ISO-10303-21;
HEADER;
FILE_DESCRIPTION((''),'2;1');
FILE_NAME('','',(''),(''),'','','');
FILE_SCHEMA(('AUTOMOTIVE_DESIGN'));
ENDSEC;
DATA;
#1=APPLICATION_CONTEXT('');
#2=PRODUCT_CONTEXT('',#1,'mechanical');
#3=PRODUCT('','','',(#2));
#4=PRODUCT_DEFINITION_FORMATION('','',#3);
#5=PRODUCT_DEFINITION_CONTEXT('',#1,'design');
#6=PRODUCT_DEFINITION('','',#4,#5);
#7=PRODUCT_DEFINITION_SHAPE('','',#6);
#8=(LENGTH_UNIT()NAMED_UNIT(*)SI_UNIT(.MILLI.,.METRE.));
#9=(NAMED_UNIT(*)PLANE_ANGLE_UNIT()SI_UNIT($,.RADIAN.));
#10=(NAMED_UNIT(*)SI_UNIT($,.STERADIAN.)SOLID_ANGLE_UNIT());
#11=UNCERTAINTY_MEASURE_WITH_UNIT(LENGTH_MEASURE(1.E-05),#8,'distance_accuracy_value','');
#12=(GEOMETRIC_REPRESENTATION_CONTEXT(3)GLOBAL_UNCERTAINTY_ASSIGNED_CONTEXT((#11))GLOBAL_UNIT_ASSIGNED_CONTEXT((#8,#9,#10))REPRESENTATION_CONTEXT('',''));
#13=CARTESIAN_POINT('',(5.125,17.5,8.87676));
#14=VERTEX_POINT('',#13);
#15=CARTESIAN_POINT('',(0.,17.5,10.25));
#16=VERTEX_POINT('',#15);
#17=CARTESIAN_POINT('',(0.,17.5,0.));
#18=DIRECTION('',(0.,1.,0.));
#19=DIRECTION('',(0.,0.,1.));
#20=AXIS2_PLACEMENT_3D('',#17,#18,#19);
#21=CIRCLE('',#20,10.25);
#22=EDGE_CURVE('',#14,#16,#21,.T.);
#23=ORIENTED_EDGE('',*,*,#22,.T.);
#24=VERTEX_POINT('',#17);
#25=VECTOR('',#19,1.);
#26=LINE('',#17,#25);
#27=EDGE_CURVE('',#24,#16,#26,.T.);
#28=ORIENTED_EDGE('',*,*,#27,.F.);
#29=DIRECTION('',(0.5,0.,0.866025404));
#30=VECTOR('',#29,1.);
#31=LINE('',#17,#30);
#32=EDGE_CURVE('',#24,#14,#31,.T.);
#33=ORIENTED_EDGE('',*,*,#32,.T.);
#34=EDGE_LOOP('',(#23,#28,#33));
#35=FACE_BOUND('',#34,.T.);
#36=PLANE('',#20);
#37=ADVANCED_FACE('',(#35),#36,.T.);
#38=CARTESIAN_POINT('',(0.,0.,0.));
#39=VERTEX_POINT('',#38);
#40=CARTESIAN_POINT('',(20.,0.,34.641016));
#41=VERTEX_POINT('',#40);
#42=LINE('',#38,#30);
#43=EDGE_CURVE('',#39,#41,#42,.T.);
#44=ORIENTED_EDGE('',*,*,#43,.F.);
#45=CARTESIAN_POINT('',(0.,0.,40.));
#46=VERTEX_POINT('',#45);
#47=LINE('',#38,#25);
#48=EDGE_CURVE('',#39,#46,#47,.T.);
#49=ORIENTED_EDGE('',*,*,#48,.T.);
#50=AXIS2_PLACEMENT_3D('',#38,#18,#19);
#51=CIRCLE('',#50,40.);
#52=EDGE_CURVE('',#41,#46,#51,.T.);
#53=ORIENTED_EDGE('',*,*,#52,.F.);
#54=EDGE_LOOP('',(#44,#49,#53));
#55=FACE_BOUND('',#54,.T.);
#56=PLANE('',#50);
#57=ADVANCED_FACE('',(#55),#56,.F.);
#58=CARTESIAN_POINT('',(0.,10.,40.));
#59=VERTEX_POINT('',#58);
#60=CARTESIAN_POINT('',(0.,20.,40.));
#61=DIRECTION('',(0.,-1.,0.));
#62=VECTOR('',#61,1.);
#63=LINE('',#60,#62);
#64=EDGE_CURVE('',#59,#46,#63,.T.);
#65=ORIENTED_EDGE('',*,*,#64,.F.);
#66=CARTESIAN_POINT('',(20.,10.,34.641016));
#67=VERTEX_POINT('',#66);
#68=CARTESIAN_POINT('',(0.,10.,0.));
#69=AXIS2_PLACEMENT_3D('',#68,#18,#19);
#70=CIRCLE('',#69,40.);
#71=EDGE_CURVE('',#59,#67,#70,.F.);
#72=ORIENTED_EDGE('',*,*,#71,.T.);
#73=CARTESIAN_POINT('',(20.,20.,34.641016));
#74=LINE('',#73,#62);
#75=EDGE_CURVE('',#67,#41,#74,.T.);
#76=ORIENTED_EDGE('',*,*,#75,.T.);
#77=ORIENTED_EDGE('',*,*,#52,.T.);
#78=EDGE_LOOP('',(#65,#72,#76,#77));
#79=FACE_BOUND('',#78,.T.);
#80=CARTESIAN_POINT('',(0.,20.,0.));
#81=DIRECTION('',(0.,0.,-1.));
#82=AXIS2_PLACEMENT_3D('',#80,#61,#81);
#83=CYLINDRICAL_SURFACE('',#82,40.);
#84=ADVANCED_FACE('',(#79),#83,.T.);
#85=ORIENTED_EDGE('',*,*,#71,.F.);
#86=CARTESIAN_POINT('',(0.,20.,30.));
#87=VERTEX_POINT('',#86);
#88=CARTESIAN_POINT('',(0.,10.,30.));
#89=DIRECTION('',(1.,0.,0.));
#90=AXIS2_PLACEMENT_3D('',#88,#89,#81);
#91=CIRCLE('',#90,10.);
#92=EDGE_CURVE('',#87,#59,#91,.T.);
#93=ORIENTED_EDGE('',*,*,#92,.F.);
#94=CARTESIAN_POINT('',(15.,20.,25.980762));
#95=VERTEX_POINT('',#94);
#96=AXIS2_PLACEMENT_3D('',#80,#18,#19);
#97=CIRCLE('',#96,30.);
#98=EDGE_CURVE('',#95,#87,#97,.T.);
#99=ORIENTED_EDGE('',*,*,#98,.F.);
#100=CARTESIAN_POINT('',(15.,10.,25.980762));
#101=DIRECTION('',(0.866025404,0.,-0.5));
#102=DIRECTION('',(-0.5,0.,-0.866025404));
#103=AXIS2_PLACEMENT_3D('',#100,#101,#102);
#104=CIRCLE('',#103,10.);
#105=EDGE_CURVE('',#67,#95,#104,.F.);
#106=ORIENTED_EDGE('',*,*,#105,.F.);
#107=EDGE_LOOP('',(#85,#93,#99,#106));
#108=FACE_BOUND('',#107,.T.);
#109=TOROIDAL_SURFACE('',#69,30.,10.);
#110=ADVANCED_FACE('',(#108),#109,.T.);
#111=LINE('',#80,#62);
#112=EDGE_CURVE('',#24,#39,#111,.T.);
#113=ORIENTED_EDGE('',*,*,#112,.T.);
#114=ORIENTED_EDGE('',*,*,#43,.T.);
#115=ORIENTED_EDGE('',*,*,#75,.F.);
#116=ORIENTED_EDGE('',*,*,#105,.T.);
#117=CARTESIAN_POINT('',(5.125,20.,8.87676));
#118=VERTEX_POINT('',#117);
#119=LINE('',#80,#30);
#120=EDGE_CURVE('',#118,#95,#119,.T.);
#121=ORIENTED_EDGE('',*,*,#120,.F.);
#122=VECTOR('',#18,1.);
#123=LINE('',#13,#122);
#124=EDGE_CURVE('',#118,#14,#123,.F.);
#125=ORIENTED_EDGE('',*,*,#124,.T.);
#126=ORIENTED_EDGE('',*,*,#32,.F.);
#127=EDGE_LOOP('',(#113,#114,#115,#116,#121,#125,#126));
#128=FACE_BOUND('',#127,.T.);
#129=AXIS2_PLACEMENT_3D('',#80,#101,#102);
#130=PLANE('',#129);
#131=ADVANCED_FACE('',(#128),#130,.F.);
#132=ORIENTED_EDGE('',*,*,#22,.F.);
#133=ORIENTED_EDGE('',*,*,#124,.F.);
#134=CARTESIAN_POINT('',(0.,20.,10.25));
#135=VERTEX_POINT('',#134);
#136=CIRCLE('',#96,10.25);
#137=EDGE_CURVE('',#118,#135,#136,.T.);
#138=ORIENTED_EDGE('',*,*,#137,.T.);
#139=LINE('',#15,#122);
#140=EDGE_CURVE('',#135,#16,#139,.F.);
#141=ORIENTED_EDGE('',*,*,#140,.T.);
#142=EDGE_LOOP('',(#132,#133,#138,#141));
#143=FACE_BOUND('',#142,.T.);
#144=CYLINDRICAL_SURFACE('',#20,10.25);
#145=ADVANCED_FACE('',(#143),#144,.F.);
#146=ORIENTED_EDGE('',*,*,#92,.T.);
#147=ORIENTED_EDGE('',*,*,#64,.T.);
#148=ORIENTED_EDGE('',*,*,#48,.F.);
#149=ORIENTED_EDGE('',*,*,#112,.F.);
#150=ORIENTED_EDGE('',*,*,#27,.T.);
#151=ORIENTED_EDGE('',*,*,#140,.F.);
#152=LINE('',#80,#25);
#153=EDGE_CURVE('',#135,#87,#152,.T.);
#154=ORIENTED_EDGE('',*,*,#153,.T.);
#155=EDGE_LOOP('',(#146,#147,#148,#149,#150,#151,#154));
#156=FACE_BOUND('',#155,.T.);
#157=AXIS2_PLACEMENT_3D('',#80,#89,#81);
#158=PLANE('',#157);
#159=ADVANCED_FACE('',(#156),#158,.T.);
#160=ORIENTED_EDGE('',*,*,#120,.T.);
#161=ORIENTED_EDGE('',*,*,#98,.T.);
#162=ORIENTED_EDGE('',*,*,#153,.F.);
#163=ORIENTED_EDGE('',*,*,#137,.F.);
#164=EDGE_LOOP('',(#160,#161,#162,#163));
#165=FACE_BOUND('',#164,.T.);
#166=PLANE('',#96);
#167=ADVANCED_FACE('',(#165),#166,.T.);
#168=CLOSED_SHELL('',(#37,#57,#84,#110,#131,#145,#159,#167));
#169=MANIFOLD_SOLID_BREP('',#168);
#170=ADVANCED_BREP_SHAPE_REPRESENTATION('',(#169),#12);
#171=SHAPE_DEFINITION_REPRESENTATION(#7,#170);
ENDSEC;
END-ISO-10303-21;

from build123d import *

# Parameters (mm, degrees)
BOSS_EXTRUDE1_DEPTH = 20
SKETCH3_R           = 10.25
CUT_EXTRUDE1_DEPTH  = 2.5
FILLET1_R           = 10


with BuildPart() as part:
    # Sketch1 → Boss-Extrude1 (new body)
    with BuildSketch(Plane(origin=(0, 0, 0), x_dir=(1, 0, 0), z_dir=(0, 1, 0))):
        with BuildLine():
            Line((0, -40), (0, 0))
            Line((0, 0), (20, -34.641016151))
            ThreePointArc((20, -34.641016151), (34.641016151, -20), (40, 0))
            ThreePointArc((40, 0), (-28.284271247, 28.284271247), (0, -40))
        make_face()
    extrude(amount=BOSS_EXTRUDE1_DEPTH)

    # Sketch3 → Cut-Extrude1 (cut)
    with BuildSketch(Plane(origin=(0, 20, 0), x_dir=(1, 0, 0), z_dir=(0, 1, 0))):
        Circle(SKETCH3_R)
    extrude(amount=-CUT_EXTRUDE1_DEPTH, mode=Mode.SUBTRACT)

    # Fillet1
    fillet1_edges = [part.edges().sort_by_distance(p)[0] for p in [
        (-10.352761804, 20, -38.637033052),
    ]]
    fillet(fillet1_edges, radius=FILLET1_R)


solid = part.part
